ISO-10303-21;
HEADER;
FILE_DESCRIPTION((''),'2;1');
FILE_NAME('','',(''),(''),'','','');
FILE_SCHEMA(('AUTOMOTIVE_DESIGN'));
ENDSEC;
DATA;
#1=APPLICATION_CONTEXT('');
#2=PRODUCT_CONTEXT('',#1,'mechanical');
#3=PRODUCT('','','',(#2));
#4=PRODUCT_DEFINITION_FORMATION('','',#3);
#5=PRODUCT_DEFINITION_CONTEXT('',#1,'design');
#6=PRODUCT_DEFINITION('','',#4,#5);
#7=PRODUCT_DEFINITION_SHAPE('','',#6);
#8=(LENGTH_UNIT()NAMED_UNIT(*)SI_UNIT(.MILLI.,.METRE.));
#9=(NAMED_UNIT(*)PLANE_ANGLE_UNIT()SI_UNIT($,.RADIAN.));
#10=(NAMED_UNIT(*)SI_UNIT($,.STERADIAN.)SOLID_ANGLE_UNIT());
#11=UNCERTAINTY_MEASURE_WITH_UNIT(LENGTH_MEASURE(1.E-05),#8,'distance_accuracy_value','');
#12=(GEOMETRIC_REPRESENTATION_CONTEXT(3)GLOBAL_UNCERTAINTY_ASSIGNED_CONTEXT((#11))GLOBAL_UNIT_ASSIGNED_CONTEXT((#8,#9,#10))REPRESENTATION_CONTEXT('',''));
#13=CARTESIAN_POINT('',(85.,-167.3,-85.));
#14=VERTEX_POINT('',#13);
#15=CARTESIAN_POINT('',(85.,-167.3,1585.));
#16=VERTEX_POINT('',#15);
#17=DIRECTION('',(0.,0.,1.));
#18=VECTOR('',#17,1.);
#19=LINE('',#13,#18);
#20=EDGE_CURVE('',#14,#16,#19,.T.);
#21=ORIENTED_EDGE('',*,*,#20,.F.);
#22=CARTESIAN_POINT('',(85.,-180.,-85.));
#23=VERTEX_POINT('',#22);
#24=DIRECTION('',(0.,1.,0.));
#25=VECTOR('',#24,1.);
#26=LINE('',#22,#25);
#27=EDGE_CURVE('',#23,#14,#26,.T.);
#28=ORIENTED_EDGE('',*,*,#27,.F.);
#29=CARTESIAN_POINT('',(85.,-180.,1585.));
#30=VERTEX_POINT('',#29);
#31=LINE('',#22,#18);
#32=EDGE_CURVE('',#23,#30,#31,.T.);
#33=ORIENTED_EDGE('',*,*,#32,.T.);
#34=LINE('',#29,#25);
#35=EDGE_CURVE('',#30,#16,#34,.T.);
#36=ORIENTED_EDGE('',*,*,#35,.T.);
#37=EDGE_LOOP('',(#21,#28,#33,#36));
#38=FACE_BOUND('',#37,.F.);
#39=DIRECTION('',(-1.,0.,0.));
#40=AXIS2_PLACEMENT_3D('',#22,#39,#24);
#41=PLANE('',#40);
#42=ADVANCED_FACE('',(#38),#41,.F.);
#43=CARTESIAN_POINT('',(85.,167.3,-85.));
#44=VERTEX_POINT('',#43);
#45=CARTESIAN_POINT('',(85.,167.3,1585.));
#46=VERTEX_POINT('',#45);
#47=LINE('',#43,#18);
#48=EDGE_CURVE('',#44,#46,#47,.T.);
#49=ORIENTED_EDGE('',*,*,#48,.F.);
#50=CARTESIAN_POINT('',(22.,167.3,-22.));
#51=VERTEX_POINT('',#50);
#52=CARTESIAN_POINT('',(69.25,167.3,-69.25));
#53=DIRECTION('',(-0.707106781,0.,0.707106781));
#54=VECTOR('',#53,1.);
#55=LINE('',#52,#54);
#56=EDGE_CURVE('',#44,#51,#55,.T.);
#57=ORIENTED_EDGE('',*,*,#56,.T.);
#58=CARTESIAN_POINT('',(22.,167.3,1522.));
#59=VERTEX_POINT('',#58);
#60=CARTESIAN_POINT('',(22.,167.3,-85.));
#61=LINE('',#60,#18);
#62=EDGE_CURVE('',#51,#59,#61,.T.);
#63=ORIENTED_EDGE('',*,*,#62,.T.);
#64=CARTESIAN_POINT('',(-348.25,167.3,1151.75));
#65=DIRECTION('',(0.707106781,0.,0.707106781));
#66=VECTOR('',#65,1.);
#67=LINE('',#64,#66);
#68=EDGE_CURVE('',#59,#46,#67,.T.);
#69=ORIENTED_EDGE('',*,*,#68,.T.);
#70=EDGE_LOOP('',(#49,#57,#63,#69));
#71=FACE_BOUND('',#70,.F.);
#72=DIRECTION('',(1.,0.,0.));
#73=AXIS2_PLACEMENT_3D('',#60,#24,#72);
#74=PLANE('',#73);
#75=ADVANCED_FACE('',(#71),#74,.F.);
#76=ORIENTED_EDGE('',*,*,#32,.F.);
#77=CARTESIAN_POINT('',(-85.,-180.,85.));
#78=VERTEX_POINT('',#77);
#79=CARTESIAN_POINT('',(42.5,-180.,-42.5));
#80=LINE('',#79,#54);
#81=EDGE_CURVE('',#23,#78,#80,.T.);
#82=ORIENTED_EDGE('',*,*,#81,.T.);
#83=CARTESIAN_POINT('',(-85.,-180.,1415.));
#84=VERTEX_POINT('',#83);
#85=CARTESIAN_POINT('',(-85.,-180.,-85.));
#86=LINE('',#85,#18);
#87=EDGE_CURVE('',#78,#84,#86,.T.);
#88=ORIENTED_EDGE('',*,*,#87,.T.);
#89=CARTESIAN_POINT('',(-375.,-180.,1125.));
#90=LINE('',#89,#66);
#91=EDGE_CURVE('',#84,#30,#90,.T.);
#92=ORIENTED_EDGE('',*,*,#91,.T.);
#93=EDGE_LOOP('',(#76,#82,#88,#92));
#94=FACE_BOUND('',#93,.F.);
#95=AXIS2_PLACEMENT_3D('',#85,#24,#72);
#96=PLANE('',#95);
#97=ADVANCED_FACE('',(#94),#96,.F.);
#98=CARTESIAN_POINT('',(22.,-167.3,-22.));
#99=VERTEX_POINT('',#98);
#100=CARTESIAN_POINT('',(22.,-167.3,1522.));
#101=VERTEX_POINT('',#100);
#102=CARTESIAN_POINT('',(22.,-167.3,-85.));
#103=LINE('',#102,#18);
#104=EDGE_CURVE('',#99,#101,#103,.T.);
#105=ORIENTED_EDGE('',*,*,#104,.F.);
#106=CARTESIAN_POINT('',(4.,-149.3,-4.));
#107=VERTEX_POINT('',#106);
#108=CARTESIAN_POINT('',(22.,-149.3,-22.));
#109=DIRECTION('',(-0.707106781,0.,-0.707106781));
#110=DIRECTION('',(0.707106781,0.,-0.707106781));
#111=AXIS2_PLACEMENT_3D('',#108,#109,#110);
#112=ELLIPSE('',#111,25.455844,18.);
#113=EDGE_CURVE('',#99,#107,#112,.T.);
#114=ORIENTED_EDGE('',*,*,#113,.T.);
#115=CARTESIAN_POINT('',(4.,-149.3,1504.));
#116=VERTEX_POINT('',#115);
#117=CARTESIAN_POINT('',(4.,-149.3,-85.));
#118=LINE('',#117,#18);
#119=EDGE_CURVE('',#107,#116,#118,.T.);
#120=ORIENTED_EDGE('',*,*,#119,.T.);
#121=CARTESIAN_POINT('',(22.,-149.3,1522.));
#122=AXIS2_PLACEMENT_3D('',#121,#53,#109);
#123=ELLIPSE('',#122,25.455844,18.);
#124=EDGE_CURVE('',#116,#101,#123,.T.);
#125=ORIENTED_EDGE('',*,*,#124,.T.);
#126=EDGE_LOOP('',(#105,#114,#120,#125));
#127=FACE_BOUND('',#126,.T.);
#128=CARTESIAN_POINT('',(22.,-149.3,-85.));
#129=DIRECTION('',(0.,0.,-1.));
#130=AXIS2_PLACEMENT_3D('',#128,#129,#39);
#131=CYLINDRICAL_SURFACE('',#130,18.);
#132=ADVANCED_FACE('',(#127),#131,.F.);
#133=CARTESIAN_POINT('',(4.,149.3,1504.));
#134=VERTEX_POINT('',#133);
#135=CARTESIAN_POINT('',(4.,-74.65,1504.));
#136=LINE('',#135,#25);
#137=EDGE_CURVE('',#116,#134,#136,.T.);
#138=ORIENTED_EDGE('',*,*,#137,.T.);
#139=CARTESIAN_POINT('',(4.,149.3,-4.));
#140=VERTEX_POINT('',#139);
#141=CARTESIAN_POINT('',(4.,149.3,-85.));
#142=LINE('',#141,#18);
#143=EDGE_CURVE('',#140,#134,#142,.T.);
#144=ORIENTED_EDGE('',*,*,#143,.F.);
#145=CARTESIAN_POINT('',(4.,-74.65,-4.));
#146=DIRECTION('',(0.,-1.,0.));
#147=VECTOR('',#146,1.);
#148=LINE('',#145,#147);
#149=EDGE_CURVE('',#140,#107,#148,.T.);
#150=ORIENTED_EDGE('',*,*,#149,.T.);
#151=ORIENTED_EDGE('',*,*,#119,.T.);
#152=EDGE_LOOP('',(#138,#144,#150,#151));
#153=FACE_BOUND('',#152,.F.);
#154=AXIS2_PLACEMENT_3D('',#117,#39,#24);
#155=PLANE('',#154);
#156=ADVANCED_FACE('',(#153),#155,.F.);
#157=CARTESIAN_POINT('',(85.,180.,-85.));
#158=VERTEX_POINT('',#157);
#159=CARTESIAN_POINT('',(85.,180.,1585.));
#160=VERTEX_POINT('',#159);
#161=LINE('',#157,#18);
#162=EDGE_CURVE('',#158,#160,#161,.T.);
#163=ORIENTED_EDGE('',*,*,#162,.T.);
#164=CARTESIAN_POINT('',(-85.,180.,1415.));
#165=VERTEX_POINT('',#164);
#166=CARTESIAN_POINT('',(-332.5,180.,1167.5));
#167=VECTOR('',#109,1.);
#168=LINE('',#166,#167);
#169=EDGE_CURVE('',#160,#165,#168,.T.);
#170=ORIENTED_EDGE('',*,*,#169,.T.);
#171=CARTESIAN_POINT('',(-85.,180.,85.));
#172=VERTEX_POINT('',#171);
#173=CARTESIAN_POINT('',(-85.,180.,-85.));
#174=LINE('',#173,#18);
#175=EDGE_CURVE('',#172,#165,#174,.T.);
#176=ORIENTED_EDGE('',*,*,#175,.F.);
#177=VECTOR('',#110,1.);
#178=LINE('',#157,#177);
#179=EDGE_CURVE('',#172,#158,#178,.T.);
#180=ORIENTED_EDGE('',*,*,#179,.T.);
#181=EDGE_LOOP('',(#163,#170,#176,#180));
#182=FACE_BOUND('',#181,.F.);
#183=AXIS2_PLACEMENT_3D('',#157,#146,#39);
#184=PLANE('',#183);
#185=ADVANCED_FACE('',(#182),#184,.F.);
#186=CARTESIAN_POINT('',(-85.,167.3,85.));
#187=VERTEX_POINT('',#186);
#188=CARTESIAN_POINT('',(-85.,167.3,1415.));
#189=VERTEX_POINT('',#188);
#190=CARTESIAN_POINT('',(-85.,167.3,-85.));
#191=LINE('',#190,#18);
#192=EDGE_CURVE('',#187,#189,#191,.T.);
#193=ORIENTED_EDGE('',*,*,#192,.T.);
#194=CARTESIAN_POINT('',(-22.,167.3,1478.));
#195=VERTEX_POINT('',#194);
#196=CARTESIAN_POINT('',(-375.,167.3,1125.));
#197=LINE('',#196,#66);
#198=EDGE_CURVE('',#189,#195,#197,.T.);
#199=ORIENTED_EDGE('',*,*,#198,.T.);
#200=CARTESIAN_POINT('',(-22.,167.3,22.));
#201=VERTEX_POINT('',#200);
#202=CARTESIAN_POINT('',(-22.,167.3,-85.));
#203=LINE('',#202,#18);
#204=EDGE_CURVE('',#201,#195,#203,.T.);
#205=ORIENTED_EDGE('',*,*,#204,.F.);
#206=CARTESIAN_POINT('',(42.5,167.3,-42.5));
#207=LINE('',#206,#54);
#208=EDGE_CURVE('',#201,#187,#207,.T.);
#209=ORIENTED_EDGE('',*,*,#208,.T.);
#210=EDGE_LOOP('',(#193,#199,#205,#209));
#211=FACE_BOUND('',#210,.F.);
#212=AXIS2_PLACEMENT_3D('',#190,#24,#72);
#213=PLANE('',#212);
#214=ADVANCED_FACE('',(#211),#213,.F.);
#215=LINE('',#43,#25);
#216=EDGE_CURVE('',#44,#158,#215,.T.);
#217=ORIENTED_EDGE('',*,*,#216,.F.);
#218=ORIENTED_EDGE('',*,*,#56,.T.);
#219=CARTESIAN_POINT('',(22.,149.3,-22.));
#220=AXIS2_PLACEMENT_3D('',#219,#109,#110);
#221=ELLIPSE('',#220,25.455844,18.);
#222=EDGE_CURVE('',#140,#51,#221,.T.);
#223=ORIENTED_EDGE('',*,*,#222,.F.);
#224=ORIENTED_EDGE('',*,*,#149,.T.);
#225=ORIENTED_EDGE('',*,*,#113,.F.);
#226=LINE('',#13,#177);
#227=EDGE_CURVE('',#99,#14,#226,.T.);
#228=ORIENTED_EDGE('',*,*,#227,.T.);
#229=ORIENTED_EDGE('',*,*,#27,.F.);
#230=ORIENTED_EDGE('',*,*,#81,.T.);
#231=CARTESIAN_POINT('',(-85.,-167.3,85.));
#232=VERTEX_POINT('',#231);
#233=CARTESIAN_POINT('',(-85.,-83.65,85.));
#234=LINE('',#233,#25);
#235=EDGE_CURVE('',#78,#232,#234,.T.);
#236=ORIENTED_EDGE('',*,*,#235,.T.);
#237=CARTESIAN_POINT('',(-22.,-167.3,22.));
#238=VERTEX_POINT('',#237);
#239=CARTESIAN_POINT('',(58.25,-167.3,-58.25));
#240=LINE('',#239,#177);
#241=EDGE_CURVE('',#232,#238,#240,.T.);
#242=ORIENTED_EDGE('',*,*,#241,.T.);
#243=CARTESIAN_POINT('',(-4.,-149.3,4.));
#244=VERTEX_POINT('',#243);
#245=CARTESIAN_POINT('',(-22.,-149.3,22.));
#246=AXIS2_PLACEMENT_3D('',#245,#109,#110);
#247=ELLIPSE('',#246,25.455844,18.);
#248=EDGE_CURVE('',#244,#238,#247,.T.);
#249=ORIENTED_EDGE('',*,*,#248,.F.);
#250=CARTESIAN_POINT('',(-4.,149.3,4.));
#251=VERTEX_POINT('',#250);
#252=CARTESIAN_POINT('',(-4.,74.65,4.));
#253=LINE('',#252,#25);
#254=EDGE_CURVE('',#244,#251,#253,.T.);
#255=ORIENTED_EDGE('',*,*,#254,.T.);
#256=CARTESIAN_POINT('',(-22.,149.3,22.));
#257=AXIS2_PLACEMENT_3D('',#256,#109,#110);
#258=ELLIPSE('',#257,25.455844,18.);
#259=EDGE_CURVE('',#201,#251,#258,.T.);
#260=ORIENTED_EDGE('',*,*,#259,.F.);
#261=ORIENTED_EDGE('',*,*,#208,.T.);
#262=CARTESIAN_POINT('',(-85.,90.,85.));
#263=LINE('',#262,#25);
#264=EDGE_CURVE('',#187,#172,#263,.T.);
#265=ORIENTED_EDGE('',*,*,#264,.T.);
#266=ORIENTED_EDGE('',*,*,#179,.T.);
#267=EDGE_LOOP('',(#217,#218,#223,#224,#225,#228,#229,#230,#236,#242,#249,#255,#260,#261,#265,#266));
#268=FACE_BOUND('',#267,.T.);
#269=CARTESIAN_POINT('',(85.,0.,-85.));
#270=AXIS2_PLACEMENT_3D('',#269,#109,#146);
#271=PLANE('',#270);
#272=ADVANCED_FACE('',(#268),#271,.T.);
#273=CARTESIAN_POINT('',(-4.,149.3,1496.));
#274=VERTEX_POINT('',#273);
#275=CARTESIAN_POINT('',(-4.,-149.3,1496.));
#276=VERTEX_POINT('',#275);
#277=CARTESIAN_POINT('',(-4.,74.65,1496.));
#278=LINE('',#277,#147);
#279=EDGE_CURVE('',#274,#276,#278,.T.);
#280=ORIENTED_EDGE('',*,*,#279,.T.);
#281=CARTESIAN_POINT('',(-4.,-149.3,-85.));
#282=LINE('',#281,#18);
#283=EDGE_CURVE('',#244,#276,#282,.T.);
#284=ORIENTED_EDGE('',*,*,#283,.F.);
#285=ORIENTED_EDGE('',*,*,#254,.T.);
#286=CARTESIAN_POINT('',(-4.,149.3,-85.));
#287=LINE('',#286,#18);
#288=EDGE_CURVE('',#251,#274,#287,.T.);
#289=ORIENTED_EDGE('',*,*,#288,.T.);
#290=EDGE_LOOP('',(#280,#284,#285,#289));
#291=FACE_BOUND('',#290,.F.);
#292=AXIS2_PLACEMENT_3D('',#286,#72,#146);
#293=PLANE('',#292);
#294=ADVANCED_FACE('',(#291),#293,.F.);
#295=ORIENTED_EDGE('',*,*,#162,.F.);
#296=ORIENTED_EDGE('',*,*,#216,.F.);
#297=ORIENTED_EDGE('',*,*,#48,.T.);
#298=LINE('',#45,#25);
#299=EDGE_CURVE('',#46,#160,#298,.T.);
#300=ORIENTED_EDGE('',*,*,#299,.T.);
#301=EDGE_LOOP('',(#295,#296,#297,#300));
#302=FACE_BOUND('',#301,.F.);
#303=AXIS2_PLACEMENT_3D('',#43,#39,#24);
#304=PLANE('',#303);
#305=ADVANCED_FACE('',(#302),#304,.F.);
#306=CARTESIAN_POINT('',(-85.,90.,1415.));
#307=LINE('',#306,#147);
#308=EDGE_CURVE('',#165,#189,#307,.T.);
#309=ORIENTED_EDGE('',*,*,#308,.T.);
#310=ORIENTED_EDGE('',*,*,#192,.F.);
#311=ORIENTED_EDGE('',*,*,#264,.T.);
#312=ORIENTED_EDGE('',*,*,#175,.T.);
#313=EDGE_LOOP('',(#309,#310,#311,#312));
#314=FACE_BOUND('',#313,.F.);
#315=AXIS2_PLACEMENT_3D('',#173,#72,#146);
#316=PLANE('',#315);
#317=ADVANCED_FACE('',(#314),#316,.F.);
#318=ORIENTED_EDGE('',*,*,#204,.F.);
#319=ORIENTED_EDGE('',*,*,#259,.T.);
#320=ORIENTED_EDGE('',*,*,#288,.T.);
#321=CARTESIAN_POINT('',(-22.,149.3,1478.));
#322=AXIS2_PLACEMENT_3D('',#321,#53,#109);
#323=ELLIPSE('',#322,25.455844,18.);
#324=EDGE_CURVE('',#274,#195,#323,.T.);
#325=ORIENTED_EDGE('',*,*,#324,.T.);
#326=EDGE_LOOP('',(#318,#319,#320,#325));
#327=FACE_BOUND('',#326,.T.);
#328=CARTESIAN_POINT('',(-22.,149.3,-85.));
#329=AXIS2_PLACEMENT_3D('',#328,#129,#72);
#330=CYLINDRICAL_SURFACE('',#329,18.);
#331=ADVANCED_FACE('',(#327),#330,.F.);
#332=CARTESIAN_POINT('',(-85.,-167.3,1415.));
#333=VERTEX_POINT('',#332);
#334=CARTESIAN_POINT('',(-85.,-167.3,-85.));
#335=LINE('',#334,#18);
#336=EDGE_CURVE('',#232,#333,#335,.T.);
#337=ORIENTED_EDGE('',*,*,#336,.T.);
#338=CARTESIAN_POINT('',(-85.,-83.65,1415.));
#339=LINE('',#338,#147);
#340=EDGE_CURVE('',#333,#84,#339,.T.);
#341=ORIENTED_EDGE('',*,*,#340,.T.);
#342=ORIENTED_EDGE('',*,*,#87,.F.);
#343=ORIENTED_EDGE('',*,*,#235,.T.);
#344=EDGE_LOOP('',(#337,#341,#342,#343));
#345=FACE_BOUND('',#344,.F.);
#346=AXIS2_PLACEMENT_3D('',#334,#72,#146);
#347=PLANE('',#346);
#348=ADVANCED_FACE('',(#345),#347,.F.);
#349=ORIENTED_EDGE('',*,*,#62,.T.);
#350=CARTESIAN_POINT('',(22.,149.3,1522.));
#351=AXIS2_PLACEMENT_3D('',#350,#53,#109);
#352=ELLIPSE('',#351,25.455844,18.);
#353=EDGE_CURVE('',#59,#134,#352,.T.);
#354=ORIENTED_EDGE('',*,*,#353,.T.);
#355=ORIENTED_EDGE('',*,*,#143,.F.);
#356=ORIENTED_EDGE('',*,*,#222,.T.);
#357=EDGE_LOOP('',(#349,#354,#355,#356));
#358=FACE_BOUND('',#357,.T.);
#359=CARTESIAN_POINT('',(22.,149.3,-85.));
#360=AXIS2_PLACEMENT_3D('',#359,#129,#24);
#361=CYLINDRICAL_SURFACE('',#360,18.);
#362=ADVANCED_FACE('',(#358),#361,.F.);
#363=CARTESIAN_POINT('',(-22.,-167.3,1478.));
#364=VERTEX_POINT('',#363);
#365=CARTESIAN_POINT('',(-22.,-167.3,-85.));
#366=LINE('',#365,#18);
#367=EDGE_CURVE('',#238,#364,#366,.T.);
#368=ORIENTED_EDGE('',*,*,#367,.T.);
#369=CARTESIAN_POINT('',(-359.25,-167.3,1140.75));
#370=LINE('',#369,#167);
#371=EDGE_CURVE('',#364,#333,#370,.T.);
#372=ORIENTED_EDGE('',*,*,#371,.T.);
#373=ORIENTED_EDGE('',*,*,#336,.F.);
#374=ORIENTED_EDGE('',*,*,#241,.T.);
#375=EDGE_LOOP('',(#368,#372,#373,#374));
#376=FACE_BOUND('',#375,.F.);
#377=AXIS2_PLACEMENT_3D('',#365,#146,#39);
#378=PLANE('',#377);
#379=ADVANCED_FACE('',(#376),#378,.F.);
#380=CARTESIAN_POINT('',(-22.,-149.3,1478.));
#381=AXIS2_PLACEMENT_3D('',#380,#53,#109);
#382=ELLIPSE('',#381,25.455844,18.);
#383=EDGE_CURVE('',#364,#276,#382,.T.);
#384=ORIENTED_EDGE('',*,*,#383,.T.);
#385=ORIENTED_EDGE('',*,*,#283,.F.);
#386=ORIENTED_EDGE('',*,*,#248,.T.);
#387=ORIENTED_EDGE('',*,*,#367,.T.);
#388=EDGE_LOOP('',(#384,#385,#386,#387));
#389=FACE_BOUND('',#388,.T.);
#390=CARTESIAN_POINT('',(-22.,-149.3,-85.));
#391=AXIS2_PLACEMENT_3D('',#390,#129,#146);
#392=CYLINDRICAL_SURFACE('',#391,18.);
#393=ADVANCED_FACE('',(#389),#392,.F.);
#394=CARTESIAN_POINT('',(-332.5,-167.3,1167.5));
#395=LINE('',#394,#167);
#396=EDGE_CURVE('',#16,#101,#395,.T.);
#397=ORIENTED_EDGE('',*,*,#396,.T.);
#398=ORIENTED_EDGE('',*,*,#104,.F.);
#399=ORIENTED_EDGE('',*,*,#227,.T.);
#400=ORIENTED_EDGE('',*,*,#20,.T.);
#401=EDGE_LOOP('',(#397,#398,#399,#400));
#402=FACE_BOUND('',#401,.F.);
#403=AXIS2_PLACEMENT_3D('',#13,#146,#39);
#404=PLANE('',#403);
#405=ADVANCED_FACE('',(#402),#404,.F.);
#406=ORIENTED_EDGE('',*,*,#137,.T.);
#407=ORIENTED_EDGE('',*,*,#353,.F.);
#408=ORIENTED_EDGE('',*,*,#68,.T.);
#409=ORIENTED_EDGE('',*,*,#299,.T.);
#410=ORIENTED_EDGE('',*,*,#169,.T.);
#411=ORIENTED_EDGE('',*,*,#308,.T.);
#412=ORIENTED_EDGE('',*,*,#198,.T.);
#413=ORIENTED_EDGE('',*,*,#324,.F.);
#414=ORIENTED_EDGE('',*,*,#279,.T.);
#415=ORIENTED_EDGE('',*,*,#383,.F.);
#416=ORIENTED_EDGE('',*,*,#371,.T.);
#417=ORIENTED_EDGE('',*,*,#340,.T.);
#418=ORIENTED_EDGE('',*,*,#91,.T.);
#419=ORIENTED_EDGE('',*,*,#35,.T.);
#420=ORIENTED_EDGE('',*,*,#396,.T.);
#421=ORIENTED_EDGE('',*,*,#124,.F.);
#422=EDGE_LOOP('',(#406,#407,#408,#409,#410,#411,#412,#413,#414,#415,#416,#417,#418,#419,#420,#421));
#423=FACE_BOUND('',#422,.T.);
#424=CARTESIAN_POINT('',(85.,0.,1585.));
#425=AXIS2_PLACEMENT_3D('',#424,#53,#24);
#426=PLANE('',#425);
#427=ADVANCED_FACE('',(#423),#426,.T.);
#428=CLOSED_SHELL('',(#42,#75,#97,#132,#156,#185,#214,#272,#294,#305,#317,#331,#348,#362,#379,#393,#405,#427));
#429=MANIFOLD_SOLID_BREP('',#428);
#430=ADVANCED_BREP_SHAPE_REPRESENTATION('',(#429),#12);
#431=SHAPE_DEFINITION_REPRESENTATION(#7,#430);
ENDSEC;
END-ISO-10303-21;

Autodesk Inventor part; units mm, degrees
ref_plane "Start Plane" through (0, 0, -85) normal (0, 0, 1) x (1, 0, 0)
ref_plane "End Plane" through (0, 0, 1585) normal (0, 0, 1) x (1, 0, 0)
sketch "Sketch" plane through (0, 0, 0) normal (0, 0, 1) x (1, 0, 0)
  line L0 (-85, 167.3) -> (-22, 167.3)
  line L1 (-85, 180) -> (-85, 167.3)
  line L2 (85, 180) -> (-85, 180)
  line L3 (85, 167.3) -> (85, 180)
  line L4 (22, 167.3) -> (85, 167.3)
  line L5 (4, -149.3) -> (4, 149.3)
  line L6 (85, -167.3) -> (22, -167.3)
  line L7 (85, -180) -> (85, -167.3)
  line L8 (-85, -167.3) -> (-85, -180)
  line L9 (-22, -167.3) -> (-85, -167.3)
  line L10 (-4, 149.3) -> (-4, -149.3)
  line L11 (0, -252) -> (0, 252) construction
  line L12 (-4, -167.3) -> (4, -167.3) construction
  arc A0 (-22, -167.3) -> (-4, -149.3) centre (-22, -149.3) ccw
  arc A1 (-4, 149.3) -> (-22, 167.3) centre (-22, 149.3) ccw
  arc A2 (22, 167.3) -> (4, 149.3) centre (22, 149.3) ccw
  arc A3 (4, -149.3) -> (22, -167.3) centre (22, -149.3) ccw
  line L13 (-119, 0) -> (119, 0) construction
  line L14 (-85, -180) -> (85, -180)
  point P0 (-4, 167.3)
  point P1 (4, 167.3)
  point P2 (0, 0)
  point P3 (0, -167.3)
  point P4 (0, 0)
  dimension "d1" = 360
  dimension "d3" = 12.7
  dimension "d5" = 8
  dimension "d7" = 170
  dimension "d13" = 18
  dimension "d14" = 180
  dimension "d15" = 85
extrude "Body" add sketch "Sketch" along normal up to surface (1670 mm away) from surface at -85
sketch "Sketch3" plane through (0, 0, 0) normal (0, 0, 1) x (1, 0, 0)
  line L0 (0, 0) -> (10, 0)
ref_plane "Work Plane3" through (0, 0, 0) normal (0, -1, 0) x (1, 0, 0)
ref_plane "Work Plane4" through (85, 0, 1585) normal (-0.7071, 0, 0.7071) x (0.7071, 0, 0.7071)
split "Split1" plane through (85, 0, 1585) removes the side toward (-0.7071, 0, 0.7071)
ref_plane "Work Plane5" through (85, 0, -85) normal (-0.7071, 0, -0.7071) x (-0.7071, 0, 0.7071)
split "Split2" plane through (85, 0, -85) removes the side toward (-0.7071, 0, -0.7071)
sketch "Sketch4" plane through (0, 0, 0) normal (0, -1, 0) x (1, 0, 0)
  line L0 (-2, -85) -> (12, -85) projected
  line L1 (-2, 1585) -> (12, 1585) projected
  dimension "d19" = 1670
equation "\"d1\" = ParH"
equation "\"d3\" = t2"
equation "\"d5\" = t1"
equation "\"d7\" = b"
equation "\"d13\" = R1"
equation "\"d14\" = 0.5 * d1"
equation "\"d15\" = 0.5 * d7"
equation "\"d8\" = G_L"
equation "\"b\" = 170"
equation "\"ParH\" = 360"
equation "\"R1\" = 18"
equation "\"G_L\" = d19"
equation "\"t1\" = 8"
equation "\"t2\" = 12.7"
equation "\"G_OFFSET_START\" = 85"
equation "\"G_OFFSET_END\" = 85"
equation "\"d16\" = -G_OFFSET_START"
equation "\"d17\" = G_OFFSET_END + B_L"
equation "\"B_L\" = 1500"
properties part number "DIN 1025 - IPE 360-1670" material "Steel, Mild"
